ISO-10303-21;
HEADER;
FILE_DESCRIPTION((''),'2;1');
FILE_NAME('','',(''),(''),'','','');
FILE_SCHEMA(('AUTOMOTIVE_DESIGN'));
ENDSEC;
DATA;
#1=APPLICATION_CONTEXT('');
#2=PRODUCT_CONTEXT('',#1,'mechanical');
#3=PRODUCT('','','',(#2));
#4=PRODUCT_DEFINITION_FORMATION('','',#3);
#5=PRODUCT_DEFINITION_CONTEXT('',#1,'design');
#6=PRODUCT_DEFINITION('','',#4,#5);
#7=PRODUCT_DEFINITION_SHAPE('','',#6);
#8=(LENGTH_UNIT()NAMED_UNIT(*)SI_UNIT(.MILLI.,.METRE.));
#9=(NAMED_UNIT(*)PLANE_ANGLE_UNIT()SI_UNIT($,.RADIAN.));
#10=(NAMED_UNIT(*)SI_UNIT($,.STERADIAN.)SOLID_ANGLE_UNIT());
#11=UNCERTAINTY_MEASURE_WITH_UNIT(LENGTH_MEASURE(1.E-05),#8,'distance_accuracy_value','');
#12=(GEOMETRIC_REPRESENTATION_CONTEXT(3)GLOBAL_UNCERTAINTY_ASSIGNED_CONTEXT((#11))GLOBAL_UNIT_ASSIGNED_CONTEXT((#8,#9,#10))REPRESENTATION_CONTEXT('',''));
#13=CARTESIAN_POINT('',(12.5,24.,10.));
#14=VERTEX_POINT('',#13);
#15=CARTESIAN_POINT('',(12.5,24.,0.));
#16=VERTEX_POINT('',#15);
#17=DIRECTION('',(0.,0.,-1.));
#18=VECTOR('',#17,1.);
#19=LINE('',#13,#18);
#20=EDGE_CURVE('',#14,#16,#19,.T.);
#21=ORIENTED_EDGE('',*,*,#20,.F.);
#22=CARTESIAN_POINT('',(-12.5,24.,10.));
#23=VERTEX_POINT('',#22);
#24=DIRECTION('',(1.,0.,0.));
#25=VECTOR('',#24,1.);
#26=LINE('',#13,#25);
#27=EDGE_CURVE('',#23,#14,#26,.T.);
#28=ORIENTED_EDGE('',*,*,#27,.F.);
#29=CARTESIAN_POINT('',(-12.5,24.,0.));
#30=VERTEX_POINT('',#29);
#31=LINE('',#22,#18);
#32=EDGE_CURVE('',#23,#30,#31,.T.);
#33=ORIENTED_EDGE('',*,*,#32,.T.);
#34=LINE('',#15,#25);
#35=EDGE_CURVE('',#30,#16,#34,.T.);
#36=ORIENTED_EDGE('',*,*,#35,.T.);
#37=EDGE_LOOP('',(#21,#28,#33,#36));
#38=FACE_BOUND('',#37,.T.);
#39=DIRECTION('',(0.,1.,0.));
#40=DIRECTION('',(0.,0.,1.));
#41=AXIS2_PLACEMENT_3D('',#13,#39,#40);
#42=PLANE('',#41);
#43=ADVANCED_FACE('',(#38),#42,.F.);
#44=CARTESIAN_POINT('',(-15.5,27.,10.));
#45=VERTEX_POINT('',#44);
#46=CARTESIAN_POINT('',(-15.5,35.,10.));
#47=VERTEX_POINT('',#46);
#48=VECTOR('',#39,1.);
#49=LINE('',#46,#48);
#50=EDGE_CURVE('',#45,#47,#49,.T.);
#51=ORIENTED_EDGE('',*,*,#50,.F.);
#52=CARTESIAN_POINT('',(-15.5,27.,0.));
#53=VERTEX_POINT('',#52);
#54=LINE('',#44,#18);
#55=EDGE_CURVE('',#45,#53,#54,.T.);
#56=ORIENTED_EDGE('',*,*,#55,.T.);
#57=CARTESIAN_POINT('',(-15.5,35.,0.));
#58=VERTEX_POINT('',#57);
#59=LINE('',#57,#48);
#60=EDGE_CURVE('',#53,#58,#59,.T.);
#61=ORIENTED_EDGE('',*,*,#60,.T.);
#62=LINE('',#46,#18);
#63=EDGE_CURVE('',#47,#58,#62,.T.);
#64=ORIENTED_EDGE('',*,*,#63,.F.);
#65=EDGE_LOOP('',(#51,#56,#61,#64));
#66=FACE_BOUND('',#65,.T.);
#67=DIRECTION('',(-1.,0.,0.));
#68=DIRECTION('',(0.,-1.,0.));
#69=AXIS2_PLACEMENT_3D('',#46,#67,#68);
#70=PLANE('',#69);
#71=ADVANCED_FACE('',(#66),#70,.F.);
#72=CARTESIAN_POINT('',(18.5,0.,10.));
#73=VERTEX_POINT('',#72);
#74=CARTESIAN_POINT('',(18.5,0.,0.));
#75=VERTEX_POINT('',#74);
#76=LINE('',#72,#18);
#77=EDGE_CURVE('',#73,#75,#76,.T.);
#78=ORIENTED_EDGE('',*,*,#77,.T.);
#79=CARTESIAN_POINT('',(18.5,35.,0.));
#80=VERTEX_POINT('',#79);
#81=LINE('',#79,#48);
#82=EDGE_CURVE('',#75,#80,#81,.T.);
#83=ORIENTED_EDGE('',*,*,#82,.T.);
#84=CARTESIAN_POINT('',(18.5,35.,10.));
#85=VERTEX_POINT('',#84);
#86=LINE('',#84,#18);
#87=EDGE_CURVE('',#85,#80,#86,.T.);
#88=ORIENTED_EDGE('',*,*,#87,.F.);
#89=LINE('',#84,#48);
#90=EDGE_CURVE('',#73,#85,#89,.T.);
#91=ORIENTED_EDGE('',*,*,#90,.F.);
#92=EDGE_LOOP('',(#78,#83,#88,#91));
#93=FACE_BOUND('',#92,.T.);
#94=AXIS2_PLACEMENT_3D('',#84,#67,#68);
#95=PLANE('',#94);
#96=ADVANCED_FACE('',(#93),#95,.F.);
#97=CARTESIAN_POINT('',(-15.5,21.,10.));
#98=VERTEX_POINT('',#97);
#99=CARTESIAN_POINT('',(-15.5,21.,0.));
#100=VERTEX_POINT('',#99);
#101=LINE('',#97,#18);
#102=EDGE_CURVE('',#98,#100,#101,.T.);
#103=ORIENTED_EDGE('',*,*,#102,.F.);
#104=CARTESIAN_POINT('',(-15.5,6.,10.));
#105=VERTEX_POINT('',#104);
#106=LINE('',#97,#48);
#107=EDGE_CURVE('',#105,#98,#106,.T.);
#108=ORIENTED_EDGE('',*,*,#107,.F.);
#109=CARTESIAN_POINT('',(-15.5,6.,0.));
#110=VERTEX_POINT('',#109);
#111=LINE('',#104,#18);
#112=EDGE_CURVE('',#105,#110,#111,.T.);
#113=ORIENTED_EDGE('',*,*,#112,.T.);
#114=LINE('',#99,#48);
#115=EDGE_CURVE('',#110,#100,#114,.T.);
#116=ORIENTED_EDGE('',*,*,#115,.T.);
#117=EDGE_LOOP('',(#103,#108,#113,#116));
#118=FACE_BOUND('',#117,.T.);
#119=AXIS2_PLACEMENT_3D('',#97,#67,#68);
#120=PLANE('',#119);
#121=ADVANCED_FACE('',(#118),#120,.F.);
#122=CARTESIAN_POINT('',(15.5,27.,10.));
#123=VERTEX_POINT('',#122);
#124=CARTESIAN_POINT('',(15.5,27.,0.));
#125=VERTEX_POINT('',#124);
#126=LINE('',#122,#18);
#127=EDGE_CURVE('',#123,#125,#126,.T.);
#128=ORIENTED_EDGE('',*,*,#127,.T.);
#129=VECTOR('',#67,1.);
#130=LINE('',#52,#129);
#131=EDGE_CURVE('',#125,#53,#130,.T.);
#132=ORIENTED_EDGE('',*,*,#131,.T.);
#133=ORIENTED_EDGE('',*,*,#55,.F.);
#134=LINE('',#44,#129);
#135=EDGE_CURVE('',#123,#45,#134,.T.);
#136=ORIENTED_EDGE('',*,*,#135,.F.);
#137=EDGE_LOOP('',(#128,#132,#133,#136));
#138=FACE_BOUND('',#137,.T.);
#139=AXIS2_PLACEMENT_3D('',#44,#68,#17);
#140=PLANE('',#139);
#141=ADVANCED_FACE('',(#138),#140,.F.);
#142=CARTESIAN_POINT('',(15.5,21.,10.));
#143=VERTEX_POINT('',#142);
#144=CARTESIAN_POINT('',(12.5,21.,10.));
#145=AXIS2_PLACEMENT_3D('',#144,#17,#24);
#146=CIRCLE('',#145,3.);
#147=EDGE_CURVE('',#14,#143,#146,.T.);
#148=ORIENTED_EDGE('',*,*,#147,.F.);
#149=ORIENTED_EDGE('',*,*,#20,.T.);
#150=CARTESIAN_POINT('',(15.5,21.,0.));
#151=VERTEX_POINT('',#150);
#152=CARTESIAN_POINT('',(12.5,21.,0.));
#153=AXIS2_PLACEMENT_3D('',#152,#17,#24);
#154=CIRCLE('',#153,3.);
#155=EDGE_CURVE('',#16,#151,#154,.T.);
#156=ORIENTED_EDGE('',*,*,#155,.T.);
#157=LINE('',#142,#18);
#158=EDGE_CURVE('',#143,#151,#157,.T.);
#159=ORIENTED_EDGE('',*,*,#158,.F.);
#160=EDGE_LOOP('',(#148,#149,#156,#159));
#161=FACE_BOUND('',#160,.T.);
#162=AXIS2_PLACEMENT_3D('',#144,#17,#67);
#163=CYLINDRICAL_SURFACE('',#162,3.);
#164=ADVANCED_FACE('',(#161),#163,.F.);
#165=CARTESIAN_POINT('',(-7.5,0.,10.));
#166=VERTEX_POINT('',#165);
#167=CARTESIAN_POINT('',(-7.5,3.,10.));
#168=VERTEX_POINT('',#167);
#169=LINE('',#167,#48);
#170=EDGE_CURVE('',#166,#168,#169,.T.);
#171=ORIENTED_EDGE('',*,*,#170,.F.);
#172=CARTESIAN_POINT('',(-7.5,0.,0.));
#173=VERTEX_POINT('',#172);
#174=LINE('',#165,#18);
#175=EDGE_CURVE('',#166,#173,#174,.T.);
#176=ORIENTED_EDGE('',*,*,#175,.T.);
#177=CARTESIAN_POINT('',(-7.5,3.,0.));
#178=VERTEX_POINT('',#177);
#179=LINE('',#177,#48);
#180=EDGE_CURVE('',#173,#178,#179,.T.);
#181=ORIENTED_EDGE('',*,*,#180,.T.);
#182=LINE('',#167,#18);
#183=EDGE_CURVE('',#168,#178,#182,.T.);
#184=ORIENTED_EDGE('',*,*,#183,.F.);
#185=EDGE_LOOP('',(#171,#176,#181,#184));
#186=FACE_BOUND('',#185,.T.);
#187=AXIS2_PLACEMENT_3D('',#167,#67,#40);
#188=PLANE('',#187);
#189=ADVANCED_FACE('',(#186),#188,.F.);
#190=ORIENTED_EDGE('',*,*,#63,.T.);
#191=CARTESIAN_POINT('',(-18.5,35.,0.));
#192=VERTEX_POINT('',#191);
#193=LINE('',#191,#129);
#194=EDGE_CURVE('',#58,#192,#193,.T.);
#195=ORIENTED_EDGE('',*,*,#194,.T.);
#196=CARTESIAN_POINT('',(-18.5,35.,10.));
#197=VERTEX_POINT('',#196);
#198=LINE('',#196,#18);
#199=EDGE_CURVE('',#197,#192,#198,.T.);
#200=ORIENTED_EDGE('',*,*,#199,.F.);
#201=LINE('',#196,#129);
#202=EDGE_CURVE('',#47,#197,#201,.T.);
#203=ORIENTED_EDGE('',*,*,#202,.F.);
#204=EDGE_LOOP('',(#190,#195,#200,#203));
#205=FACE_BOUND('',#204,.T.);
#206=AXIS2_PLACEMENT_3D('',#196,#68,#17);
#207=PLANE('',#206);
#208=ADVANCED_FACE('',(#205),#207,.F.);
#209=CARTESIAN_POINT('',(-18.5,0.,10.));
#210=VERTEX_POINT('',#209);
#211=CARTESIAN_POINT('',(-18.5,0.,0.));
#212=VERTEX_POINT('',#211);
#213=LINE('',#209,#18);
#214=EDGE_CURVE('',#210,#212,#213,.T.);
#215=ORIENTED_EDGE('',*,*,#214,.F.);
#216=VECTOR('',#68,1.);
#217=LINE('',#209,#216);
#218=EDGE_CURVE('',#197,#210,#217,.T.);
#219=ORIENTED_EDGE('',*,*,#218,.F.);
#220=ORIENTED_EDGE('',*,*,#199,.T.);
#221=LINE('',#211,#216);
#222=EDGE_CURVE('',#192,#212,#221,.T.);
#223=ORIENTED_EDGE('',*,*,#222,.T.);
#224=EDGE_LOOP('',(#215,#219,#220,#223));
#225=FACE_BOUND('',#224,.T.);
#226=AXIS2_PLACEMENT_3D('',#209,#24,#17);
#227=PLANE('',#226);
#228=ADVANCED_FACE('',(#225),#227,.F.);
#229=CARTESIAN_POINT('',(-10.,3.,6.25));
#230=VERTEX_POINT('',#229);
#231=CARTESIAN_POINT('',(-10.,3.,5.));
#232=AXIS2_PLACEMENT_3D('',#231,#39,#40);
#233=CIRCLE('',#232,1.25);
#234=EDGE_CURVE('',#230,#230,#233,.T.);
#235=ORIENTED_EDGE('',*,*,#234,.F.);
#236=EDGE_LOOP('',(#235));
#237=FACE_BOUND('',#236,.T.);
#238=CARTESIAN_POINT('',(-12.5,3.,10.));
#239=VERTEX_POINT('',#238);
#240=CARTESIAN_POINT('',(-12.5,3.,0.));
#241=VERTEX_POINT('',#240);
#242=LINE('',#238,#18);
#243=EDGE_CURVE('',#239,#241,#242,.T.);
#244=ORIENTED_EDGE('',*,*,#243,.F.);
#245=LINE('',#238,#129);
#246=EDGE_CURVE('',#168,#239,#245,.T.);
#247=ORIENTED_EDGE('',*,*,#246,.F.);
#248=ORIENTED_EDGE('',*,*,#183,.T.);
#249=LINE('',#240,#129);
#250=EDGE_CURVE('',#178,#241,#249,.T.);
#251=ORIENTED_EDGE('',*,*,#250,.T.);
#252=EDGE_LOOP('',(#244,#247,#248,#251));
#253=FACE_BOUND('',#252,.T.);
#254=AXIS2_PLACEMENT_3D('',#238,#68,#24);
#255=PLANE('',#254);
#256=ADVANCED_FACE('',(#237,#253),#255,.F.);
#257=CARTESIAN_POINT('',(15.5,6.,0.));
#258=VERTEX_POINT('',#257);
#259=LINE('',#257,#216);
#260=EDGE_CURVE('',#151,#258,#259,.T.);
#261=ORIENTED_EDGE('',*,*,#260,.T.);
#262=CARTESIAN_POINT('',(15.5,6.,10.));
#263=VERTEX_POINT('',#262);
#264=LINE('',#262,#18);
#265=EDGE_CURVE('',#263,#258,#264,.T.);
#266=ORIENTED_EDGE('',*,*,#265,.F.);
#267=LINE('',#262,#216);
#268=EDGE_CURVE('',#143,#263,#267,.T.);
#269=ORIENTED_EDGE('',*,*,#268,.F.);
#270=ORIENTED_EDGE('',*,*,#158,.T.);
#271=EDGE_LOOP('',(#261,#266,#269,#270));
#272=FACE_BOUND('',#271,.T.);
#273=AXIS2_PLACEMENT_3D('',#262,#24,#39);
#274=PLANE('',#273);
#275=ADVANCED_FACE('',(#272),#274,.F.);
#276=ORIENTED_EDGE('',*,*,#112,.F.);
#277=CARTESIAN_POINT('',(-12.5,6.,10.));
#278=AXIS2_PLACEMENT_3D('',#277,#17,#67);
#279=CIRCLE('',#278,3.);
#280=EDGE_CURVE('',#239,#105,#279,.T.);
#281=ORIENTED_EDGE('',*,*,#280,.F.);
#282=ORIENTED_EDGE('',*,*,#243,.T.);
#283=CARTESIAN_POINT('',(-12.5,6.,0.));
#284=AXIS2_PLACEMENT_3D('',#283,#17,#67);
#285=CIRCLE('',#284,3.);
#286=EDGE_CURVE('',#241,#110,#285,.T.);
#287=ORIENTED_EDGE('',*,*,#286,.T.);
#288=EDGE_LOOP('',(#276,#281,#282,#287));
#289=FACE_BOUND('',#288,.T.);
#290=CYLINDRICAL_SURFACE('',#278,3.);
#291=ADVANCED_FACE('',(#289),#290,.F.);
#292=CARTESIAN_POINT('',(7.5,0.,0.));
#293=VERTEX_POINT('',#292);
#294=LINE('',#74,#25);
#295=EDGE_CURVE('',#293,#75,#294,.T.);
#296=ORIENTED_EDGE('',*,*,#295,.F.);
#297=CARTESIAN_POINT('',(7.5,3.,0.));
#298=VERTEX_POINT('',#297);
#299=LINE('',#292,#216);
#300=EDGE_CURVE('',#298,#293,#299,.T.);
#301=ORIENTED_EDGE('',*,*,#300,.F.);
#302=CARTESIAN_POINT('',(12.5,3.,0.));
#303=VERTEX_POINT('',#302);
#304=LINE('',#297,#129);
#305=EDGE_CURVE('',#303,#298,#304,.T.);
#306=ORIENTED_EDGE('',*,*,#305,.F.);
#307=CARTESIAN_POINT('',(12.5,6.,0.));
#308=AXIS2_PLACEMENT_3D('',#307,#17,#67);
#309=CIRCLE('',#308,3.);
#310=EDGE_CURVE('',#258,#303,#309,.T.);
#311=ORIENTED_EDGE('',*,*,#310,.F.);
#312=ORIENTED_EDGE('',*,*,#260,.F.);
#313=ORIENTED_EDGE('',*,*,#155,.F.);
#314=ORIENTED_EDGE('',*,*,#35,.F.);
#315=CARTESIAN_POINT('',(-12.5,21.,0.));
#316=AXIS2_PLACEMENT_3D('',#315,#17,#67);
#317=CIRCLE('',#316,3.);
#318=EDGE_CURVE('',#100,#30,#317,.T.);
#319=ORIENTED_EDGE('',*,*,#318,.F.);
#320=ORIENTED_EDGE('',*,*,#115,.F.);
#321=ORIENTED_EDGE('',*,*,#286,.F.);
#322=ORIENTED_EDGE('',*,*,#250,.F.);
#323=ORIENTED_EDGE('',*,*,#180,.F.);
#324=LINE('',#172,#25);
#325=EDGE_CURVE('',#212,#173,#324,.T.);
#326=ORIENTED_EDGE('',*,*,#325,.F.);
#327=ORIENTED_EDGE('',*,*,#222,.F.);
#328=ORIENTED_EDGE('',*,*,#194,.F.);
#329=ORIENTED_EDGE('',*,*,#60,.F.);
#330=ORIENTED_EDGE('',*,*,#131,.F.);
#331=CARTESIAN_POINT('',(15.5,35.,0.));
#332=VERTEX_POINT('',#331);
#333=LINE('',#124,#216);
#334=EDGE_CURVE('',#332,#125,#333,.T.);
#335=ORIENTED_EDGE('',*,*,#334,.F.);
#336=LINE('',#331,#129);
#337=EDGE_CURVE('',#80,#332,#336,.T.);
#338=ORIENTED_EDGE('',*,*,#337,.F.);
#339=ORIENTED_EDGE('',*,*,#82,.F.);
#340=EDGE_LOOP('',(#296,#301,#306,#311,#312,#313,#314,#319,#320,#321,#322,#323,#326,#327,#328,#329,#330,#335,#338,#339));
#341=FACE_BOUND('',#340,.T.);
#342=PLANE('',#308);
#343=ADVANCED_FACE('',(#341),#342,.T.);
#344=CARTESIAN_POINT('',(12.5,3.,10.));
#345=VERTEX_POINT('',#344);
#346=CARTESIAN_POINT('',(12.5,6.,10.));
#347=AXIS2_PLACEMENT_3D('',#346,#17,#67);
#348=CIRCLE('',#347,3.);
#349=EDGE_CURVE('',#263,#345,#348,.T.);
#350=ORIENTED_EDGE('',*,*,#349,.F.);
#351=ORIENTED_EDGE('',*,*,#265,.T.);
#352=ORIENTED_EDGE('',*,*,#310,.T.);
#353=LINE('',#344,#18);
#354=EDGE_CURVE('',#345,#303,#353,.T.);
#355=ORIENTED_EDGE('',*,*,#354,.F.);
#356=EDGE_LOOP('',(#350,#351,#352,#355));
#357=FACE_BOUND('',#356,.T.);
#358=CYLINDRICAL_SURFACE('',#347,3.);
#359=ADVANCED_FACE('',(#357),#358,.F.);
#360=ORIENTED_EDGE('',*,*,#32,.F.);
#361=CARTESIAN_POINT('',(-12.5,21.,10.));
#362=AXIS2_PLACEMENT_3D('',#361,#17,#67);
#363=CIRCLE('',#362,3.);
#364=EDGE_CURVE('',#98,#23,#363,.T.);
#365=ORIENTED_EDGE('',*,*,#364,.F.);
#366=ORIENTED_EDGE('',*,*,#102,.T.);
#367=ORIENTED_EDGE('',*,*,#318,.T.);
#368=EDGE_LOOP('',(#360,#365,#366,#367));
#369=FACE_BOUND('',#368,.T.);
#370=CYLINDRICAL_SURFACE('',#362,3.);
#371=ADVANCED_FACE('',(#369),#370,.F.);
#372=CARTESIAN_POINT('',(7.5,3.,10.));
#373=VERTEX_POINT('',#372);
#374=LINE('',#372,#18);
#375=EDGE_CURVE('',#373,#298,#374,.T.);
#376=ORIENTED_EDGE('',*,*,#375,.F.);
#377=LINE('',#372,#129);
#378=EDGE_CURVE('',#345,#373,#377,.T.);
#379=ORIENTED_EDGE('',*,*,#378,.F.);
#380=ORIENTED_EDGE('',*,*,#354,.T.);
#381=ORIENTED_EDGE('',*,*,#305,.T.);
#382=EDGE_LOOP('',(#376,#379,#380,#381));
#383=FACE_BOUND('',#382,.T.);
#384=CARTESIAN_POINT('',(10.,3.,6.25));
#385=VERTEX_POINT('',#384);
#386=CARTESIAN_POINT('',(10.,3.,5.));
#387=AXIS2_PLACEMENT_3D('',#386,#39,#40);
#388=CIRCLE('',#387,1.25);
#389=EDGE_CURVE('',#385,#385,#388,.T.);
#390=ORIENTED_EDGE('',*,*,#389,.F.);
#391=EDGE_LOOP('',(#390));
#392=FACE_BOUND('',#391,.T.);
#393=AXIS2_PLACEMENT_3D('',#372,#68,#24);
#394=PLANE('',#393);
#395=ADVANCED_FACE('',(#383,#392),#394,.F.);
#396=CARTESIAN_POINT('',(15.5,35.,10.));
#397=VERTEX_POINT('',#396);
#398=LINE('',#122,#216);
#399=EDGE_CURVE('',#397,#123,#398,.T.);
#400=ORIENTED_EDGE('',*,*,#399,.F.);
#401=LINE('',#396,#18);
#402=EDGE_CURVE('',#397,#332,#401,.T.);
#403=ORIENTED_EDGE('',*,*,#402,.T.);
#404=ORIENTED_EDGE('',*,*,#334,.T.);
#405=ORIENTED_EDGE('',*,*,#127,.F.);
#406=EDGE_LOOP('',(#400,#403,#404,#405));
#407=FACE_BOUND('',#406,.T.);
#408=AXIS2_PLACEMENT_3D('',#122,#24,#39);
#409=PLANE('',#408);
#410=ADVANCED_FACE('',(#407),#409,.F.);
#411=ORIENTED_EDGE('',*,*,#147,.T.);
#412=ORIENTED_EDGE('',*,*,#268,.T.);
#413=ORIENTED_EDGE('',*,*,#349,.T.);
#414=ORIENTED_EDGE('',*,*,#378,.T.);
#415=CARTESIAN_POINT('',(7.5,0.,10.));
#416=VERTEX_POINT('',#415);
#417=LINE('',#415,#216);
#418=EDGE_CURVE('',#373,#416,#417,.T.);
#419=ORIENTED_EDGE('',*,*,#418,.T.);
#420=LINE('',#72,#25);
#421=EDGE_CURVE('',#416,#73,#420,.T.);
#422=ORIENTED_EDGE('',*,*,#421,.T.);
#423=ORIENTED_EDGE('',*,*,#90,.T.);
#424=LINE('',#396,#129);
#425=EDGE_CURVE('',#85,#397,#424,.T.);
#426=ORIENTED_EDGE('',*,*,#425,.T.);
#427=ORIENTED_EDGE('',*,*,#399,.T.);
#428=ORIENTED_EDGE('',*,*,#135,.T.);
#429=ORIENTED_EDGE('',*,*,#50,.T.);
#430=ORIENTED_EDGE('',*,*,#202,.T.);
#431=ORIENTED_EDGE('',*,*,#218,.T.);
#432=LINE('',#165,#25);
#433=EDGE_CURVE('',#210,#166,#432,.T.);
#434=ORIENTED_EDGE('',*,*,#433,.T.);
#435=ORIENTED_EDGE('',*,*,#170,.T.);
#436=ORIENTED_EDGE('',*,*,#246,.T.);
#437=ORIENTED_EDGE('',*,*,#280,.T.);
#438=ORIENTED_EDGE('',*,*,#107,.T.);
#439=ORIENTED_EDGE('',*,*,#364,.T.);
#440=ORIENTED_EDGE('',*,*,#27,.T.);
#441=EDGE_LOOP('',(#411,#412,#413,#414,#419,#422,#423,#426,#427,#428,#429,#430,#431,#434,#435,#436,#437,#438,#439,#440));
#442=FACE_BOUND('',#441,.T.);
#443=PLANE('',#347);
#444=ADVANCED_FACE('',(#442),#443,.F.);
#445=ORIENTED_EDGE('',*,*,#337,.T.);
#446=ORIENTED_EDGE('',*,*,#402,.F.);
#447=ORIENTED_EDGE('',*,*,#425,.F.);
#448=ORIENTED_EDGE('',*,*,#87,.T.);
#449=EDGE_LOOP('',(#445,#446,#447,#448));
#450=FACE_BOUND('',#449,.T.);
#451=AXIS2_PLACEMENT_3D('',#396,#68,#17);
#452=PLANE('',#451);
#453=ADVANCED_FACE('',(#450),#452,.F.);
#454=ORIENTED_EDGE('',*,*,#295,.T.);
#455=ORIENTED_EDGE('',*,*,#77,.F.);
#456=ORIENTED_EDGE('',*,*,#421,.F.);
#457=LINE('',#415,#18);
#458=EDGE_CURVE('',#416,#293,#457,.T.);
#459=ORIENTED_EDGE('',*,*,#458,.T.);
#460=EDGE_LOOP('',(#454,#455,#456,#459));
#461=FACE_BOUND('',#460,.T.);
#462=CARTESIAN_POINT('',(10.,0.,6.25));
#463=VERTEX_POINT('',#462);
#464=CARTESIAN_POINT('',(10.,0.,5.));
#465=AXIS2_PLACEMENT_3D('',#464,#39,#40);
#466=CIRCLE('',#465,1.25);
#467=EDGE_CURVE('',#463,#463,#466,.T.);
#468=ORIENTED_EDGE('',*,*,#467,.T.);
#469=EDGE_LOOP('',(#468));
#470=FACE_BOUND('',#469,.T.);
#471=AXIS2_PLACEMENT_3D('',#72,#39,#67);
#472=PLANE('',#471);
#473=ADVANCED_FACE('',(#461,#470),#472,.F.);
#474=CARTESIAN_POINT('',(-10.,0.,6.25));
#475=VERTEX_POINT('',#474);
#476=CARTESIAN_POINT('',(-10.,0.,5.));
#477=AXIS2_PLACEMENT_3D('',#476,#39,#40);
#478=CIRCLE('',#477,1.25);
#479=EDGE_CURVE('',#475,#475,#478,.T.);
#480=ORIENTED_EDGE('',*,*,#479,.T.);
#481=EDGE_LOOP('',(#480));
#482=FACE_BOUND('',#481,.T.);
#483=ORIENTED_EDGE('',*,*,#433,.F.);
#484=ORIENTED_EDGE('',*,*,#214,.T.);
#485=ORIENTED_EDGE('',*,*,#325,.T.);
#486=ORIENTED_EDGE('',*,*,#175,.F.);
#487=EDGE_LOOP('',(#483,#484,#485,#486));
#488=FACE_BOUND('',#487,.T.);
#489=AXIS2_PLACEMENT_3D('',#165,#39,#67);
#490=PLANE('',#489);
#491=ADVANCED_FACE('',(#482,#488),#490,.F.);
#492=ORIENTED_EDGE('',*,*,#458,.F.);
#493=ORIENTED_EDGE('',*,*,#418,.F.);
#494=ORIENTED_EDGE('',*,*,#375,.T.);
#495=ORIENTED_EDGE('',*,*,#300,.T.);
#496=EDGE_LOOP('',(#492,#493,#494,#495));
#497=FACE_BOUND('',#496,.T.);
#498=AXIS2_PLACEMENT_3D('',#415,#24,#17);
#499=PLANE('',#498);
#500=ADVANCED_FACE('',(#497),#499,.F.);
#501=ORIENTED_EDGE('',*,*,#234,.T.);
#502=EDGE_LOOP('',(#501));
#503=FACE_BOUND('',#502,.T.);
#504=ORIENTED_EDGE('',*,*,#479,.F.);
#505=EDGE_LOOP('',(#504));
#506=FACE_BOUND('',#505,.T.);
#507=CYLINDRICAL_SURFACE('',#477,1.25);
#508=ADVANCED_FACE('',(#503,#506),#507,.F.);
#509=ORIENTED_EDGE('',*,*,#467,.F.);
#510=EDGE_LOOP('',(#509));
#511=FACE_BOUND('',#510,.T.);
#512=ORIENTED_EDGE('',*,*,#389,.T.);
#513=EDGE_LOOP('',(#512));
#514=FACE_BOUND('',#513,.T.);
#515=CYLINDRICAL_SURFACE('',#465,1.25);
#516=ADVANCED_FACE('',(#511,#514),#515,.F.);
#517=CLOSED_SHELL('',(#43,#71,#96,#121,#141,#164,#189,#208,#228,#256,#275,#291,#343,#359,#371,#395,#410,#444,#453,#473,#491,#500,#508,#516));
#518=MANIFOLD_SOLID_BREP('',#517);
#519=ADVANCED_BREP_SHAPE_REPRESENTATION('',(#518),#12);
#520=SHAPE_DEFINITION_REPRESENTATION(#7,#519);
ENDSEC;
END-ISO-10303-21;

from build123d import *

# Parameters (mm, degrees)
BOSS_EXTRUDE1_DEPTH = 10
SKETCH2_R           = 1.25
CUT_EXTRUDE1_DEPTH  = 4


with BuildPart() as part:
    # Sketch1 → Boss-Extrude1 (new body)
    with BuildSketch(Plane.XY):
        with BuildLine():
            Line((-15.5, 27), (15.5, 27))
            Line((15.5, 27), (15.5, 35))
            Line((15.5, 35), (18.5, 35))
            Line((18.5, 35), (18.5, 0))
            Line((18.5, 0), (7.5, 0))
            Line((7.5, 0), (7.5, 3))
            Line((7.5, 3), (12.5, 3))
            ThreePointArc((12.5, 3), (14.621320344, 3.878679656), (15.5, 6))
            Line((15.5, 6), (15.5, 21))
            ThreePointArc((15.5, 21), (14.621320344, 23.121320344), (12.5, 24))
            Line((12.5, 24), (-12.5, 24))
            ThreePointArc((-12.5, 24), (-14.621320344, 23.121320344), (-15.5, 21))
            Line((-15.5, 21), (-15.5, 6))
            ThreePointArc((-15.5, 6), (-14.621320344, 3.878679656), (-12.5, 3))
            Line((-12.5, 3), (-7.5, 3))
            Line((-7.5, 3), (-7.5, 0))
            Line((-7.5, 0), (-18.5, 0))
            Line((-18.5, 0), (-18.5, 35))
            Line((-18.5, 35), (-15.5, 35))
            Line((-15.5, 35), (-15.5, 27))
        make_face()
    extrude(amount=BOSS_EXTRUDE1_DEPTH)

    # Sketch2 → Cut-Extrude1 (cut, through all)
    with BuildSketch(Plane(origin=(0, 3, 0), x_dir=(1, 0, 0), z_dir=(0, 1, 0))):
        with Locations((-10, -5)):
            Circle(SKETCH2_R)
        with Locations((10, -5)):
            Circle(SKETCH2_R)
    extrude(amount=-CUT_EXTRUDE1_DEPTH, mode=Mode.SUBTRACT)


solid = part.part
